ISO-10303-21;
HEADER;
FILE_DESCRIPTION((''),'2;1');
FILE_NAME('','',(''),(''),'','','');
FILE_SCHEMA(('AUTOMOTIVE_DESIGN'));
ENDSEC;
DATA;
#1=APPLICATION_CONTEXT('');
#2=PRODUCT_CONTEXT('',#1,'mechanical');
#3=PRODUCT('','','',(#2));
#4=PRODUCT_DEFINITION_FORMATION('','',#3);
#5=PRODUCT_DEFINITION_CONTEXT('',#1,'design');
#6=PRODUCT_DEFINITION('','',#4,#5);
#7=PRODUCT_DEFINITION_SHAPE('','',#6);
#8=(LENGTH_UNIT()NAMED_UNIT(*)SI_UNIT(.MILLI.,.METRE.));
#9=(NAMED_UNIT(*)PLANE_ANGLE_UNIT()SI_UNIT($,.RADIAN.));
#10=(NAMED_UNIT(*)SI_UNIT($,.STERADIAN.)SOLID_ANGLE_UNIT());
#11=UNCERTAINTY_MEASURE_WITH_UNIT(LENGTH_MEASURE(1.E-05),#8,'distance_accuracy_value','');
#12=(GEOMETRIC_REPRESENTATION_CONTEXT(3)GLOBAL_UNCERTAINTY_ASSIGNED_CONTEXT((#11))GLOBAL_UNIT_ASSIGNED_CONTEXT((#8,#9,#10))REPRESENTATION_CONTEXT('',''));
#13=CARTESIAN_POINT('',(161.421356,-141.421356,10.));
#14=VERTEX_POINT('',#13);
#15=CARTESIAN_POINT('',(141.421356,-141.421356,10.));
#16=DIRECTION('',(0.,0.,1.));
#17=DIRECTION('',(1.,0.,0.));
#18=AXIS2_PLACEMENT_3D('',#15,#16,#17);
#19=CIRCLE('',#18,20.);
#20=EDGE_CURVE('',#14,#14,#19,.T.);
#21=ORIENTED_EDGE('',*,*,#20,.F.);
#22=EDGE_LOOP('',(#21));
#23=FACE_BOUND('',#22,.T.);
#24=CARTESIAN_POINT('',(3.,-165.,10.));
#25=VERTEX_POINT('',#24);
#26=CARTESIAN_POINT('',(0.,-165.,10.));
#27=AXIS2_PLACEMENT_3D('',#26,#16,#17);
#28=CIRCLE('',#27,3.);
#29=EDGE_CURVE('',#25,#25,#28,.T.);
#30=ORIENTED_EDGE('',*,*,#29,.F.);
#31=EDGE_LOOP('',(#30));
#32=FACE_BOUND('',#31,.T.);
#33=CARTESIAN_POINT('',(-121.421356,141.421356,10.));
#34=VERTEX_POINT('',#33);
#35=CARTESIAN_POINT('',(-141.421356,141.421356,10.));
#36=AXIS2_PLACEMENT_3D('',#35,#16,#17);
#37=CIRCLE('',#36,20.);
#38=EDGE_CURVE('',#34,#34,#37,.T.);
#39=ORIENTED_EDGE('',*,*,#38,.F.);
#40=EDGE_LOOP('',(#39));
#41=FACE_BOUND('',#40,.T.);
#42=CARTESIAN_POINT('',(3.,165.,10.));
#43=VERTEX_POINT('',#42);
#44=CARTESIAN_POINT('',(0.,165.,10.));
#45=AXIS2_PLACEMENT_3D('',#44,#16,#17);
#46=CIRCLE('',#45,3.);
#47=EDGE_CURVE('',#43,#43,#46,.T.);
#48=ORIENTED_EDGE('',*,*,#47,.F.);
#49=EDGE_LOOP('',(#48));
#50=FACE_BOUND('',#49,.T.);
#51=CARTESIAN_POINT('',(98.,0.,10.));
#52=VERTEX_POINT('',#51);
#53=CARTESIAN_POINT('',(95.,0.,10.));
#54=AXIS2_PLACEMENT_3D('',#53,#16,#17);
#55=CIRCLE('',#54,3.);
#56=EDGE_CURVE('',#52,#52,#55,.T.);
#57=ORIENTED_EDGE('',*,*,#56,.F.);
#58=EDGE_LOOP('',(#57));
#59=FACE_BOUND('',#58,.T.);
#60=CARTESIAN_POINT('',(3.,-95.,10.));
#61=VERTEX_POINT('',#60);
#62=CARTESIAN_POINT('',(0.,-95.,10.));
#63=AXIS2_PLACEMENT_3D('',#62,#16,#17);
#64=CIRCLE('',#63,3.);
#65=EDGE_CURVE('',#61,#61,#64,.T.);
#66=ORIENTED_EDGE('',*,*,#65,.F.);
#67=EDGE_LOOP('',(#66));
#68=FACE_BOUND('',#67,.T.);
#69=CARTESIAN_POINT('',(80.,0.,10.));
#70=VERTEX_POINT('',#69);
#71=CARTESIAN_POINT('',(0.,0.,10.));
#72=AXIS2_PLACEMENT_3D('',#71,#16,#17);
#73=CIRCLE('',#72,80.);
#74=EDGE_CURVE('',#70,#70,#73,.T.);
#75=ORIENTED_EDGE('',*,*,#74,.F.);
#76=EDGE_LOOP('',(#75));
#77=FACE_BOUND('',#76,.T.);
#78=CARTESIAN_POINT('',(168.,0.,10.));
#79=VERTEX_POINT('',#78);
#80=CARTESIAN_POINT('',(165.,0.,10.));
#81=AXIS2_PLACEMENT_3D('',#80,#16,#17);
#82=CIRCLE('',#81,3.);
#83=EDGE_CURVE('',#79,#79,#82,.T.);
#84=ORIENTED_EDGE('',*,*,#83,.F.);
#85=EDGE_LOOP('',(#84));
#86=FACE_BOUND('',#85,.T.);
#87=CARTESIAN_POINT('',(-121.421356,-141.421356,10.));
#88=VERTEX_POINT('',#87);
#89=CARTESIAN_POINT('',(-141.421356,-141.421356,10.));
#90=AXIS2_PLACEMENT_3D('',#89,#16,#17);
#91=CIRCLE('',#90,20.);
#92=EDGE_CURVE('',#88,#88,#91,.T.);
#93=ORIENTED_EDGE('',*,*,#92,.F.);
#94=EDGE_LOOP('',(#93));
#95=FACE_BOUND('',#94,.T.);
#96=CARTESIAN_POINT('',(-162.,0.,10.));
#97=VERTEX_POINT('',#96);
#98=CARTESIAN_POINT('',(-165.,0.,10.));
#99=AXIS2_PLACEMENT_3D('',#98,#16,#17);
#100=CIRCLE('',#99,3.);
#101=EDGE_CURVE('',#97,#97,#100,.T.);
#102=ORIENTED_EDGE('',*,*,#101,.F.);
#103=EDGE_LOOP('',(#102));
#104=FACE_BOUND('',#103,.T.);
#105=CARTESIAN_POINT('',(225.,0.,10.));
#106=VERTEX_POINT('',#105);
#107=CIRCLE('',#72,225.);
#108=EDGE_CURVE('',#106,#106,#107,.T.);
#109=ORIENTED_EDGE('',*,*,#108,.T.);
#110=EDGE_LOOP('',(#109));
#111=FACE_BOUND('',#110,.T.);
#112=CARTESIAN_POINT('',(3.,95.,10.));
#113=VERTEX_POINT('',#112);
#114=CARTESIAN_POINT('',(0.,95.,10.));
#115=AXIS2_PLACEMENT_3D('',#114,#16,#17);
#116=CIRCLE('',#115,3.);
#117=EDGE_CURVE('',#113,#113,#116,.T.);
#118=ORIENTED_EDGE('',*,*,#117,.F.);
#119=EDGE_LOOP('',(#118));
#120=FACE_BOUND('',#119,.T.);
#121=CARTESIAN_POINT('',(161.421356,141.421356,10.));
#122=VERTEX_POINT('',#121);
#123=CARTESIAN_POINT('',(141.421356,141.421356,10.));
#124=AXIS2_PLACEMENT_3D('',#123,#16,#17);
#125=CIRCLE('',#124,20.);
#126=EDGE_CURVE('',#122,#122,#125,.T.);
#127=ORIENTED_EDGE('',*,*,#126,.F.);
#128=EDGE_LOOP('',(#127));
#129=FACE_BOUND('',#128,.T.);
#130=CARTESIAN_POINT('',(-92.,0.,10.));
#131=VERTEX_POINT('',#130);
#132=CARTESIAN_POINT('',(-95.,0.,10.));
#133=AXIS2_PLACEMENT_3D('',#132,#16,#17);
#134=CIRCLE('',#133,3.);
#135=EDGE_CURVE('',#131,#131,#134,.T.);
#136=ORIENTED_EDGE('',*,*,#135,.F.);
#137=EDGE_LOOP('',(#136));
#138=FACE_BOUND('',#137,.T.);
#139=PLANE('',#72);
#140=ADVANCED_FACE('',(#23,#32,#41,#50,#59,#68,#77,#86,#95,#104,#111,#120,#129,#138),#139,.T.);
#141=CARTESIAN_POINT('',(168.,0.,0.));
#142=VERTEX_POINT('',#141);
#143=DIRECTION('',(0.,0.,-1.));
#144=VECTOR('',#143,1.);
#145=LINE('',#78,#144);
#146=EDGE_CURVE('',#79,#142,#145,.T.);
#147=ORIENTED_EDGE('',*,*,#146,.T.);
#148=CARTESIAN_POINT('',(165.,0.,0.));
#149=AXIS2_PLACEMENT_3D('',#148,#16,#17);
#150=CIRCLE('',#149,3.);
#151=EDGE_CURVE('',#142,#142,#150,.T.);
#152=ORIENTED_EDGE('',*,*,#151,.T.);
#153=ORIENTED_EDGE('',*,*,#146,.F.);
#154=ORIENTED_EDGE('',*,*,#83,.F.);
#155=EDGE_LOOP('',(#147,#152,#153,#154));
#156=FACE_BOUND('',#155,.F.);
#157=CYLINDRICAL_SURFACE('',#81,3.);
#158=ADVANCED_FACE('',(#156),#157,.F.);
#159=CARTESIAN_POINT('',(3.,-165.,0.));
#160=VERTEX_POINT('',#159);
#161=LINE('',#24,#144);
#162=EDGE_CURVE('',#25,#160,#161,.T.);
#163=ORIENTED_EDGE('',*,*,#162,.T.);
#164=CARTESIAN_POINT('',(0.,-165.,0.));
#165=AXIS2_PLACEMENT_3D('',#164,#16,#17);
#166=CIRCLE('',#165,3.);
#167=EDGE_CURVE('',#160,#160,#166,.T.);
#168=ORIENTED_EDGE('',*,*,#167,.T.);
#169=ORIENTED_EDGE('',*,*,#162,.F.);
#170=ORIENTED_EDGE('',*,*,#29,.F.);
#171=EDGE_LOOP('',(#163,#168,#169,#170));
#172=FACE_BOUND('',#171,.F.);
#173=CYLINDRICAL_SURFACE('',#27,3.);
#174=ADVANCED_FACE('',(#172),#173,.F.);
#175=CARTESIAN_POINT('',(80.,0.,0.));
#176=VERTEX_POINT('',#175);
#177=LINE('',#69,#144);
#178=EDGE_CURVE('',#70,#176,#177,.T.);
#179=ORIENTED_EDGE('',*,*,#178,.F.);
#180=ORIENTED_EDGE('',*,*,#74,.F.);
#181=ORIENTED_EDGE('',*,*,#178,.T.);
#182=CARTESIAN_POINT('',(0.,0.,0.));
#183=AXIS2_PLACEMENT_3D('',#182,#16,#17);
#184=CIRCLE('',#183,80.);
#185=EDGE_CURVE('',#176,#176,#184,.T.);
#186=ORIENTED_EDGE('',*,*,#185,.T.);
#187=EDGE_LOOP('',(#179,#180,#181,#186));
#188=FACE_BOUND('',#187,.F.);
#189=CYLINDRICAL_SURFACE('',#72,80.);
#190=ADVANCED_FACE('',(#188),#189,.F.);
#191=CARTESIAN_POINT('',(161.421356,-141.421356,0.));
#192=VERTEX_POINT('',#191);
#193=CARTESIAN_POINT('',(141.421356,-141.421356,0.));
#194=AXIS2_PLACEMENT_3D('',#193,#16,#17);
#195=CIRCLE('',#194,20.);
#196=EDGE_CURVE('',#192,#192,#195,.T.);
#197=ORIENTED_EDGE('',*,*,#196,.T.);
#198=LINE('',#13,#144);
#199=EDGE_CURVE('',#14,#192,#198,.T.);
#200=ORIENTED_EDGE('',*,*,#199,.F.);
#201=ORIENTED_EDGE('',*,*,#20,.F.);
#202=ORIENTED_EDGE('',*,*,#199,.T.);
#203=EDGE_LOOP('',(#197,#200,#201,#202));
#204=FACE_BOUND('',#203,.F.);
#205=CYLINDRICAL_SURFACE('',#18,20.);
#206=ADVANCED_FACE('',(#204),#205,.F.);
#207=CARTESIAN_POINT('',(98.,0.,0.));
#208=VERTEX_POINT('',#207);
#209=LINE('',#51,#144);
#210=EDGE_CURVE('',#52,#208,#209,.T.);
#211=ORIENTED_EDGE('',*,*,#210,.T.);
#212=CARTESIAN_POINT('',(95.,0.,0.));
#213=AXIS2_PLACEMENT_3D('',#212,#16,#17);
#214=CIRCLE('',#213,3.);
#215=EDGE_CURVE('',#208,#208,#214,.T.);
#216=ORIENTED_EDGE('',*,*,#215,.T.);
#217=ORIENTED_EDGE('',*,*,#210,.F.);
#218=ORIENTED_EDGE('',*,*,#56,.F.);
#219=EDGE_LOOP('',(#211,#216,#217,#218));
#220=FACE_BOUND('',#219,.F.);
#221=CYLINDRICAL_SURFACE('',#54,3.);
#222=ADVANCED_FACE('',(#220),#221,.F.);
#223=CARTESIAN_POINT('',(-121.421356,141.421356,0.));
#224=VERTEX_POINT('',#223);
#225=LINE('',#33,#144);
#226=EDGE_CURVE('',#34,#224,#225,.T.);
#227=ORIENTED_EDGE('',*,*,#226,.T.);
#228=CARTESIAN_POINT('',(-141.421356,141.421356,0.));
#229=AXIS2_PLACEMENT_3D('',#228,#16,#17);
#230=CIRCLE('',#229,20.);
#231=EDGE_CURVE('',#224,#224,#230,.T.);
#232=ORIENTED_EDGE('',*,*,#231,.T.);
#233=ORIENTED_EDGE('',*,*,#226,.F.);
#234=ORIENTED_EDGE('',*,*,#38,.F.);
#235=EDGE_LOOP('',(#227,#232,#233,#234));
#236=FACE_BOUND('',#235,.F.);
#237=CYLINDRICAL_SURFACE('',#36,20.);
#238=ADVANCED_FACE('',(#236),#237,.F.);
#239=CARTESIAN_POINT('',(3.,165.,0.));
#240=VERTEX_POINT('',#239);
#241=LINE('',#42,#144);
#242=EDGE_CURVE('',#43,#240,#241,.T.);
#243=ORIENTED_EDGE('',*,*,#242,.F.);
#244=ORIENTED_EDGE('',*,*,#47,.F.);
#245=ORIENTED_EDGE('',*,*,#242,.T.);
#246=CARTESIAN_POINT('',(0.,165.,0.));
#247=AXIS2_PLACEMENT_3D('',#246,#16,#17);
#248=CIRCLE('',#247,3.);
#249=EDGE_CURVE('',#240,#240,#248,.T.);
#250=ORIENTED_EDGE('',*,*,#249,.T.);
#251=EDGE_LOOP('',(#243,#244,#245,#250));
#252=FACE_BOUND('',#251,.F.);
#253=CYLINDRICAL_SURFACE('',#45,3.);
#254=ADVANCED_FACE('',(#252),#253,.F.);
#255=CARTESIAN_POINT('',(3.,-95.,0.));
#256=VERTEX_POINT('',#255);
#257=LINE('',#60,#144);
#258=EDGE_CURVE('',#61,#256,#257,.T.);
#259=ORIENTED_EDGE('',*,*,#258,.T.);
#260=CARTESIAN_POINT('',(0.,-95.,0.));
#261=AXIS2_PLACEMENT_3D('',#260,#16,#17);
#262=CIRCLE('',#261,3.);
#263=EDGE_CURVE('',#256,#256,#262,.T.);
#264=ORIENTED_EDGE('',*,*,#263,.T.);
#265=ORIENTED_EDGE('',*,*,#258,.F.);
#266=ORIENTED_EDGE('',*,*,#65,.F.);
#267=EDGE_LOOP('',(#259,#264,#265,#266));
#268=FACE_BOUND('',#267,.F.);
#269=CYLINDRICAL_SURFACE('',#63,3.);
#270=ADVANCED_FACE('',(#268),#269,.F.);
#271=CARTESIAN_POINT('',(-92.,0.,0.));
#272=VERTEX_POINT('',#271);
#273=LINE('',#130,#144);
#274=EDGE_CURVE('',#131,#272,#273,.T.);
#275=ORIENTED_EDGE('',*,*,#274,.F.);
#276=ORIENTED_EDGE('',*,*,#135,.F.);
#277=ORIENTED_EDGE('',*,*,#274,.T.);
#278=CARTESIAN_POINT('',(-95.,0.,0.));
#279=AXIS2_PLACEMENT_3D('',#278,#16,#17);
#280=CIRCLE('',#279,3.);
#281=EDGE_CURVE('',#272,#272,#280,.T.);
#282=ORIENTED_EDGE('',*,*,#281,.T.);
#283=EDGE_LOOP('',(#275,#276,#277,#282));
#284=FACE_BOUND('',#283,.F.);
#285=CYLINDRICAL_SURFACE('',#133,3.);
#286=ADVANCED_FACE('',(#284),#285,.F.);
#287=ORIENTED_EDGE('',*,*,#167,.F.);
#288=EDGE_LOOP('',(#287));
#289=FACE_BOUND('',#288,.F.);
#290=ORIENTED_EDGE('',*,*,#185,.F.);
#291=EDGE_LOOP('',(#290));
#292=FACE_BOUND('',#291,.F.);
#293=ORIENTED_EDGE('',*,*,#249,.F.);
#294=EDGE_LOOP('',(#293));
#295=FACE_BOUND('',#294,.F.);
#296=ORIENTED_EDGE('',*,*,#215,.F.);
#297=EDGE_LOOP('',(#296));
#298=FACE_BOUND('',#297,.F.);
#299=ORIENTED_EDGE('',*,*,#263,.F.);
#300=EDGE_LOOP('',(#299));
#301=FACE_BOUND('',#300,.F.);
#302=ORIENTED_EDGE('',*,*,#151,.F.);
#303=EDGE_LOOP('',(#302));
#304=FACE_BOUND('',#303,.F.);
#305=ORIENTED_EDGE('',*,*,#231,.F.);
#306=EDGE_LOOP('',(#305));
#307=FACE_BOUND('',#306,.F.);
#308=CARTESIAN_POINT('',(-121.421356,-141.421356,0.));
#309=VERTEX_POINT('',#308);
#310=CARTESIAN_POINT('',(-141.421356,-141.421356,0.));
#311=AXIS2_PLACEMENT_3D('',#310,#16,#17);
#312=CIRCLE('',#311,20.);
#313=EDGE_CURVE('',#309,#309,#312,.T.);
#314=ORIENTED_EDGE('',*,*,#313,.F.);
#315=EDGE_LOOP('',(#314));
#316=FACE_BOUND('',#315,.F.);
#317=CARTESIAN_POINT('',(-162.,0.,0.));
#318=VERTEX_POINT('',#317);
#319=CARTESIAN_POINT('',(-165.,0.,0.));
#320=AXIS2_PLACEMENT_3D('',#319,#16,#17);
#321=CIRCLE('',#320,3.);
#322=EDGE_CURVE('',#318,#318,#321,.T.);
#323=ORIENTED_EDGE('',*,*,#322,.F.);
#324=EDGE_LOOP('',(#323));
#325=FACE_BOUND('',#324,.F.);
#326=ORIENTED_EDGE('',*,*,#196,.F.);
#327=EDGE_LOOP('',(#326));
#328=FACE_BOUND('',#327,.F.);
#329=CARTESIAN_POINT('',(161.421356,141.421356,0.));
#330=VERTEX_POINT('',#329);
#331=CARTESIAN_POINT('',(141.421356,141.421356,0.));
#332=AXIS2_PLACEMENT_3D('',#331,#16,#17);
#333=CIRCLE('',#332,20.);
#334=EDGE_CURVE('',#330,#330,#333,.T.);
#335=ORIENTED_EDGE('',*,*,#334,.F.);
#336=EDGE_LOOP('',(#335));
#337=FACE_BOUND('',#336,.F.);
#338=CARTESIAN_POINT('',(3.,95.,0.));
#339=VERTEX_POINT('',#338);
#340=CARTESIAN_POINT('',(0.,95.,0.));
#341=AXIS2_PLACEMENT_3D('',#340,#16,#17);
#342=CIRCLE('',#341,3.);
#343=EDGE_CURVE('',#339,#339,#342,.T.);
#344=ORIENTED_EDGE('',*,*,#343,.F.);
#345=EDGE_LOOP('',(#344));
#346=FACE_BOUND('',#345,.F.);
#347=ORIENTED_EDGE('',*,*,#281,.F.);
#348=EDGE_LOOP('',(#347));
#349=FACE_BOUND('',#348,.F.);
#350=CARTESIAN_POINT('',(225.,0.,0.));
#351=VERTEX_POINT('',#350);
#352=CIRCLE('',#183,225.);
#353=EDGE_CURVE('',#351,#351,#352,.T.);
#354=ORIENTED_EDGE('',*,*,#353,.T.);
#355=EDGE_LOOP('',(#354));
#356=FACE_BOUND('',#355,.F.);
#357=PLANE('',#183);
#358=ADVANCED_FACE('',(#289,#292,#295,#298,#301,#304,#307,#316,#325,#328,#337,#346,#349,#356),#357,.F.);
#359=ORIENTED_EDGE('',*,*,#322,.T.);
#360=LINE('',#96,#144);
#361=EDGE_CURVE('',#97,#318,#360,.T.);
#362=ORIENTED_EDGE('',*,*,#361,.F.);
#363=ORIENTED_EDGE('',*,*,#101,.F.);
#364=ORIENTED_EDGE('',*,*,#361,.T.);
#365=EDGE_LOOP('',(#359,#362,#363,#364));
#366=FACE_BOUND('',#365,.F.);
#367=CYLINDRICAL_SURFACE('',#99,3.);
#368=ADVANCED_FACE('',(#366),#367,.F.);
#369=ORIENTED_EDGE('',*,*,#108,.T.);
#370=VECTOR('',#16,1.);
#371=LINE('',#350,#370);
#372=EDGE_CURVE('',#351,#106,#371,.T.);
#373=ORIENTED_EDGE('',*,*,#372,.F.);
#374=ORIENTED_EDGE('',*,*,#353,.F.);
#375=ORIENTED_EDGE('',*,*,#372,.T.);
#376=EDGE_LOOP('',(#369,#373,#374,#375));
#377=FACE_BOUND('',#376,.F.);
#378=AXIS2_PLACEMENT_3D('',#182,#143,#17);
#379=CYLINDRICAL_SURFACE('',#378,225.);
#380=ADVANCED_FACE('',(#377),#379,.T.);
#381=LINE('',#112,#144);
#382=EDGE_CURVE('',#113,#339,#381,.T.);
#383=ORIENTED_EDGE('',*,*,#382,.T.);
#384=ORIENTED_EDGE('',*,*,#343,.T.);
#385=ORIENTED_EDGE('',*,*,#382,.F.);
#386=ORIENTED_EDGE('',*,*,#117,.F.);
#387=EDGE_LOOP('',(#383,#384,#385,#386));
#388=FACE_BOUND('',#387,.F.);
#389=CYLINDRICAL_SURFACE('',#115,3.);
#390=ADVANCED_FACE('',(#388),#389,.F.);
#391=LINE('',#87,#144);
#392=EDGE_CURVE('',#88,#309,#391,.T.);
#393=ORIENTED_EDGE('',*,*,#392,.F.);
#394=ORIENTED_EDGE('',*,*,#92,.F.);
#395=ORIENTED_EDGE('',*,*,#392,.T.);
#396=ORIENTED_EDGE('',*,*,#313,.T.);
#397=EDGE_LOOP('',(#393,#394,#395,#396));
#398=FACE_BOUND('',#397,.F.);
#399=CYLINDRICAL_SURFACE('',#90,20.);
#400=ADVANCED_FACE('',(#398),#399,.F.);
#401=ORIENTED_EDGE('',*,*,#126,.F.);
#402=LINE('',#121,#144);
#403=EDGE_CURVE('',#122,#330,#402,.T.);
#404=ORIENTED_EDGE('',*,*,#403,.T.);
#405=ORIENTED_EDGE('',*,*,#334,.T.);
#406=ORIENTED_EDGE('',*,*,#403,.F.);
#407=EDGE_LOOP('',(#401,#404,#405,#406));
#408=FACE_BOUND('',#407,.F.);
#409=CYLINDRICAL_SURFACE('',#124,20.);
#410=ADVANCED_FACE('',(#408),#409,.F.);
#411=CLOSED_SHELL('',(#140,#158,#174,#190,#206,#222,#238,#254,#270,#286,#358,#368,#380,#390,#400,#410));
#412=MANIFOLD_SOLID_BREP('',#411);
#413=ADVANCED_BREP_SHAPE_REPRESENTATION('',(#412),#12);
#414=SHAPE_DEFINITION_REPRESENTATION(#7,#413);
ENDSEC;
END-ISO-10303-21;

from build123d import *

# Parameters (mm, degrees)
F0_R     = 225
F1_DEPTH = 10
F2_R     = 80
F2_R_2   = 3
F2_R_3   = 20
F3_DEPTH = 10.001


with BuildPart() as f1:
    # F0 (on Top) → F1 (new body)
    with BuildSketch(Plane.XY):
        Circle(F0_R)
    extrude(amount=F1_DEPTH)

    # F2 (on face) → F3 (cut, through all)
    with BuildSketch(Plane.XY.offset(10)):
        Circle(F2_R)
        with Locations((-95, 0)):
            Circle(F2_R_2)
        with Locations((-165, 0)):
            Circle(F2_R_2)
        with Locations((0, -95)):
            Circle(F2_R_2)
        with Locations((0, -165)):
            Circle(F2_R_2)
        with Locations((0, 165)):
            Circle(F2_R_2)
        with Locations((0, 95)):
            Circle(F2_R_2)
        with Locations((95, 0)):
            Circle(F2_R_2)
        with Locations((165, 0)):
            Circle(F2_R_2)
        with Locations((-141.421356, -141.421356)):
            Circle(F2_R_3)
        with Locations((-141.421356, 141.421356)):
            Circle(F2_R_3)
        with Locations((141.421356, -141.421356)):
            Circle(F2_R_3)
        with Locations((141.421356, 141.421356)):
            Circle(F2_R_3)
    extrude(amount=-F3_DEPTH, mode=Mode.SUBTRACT)


solid = f1.part
